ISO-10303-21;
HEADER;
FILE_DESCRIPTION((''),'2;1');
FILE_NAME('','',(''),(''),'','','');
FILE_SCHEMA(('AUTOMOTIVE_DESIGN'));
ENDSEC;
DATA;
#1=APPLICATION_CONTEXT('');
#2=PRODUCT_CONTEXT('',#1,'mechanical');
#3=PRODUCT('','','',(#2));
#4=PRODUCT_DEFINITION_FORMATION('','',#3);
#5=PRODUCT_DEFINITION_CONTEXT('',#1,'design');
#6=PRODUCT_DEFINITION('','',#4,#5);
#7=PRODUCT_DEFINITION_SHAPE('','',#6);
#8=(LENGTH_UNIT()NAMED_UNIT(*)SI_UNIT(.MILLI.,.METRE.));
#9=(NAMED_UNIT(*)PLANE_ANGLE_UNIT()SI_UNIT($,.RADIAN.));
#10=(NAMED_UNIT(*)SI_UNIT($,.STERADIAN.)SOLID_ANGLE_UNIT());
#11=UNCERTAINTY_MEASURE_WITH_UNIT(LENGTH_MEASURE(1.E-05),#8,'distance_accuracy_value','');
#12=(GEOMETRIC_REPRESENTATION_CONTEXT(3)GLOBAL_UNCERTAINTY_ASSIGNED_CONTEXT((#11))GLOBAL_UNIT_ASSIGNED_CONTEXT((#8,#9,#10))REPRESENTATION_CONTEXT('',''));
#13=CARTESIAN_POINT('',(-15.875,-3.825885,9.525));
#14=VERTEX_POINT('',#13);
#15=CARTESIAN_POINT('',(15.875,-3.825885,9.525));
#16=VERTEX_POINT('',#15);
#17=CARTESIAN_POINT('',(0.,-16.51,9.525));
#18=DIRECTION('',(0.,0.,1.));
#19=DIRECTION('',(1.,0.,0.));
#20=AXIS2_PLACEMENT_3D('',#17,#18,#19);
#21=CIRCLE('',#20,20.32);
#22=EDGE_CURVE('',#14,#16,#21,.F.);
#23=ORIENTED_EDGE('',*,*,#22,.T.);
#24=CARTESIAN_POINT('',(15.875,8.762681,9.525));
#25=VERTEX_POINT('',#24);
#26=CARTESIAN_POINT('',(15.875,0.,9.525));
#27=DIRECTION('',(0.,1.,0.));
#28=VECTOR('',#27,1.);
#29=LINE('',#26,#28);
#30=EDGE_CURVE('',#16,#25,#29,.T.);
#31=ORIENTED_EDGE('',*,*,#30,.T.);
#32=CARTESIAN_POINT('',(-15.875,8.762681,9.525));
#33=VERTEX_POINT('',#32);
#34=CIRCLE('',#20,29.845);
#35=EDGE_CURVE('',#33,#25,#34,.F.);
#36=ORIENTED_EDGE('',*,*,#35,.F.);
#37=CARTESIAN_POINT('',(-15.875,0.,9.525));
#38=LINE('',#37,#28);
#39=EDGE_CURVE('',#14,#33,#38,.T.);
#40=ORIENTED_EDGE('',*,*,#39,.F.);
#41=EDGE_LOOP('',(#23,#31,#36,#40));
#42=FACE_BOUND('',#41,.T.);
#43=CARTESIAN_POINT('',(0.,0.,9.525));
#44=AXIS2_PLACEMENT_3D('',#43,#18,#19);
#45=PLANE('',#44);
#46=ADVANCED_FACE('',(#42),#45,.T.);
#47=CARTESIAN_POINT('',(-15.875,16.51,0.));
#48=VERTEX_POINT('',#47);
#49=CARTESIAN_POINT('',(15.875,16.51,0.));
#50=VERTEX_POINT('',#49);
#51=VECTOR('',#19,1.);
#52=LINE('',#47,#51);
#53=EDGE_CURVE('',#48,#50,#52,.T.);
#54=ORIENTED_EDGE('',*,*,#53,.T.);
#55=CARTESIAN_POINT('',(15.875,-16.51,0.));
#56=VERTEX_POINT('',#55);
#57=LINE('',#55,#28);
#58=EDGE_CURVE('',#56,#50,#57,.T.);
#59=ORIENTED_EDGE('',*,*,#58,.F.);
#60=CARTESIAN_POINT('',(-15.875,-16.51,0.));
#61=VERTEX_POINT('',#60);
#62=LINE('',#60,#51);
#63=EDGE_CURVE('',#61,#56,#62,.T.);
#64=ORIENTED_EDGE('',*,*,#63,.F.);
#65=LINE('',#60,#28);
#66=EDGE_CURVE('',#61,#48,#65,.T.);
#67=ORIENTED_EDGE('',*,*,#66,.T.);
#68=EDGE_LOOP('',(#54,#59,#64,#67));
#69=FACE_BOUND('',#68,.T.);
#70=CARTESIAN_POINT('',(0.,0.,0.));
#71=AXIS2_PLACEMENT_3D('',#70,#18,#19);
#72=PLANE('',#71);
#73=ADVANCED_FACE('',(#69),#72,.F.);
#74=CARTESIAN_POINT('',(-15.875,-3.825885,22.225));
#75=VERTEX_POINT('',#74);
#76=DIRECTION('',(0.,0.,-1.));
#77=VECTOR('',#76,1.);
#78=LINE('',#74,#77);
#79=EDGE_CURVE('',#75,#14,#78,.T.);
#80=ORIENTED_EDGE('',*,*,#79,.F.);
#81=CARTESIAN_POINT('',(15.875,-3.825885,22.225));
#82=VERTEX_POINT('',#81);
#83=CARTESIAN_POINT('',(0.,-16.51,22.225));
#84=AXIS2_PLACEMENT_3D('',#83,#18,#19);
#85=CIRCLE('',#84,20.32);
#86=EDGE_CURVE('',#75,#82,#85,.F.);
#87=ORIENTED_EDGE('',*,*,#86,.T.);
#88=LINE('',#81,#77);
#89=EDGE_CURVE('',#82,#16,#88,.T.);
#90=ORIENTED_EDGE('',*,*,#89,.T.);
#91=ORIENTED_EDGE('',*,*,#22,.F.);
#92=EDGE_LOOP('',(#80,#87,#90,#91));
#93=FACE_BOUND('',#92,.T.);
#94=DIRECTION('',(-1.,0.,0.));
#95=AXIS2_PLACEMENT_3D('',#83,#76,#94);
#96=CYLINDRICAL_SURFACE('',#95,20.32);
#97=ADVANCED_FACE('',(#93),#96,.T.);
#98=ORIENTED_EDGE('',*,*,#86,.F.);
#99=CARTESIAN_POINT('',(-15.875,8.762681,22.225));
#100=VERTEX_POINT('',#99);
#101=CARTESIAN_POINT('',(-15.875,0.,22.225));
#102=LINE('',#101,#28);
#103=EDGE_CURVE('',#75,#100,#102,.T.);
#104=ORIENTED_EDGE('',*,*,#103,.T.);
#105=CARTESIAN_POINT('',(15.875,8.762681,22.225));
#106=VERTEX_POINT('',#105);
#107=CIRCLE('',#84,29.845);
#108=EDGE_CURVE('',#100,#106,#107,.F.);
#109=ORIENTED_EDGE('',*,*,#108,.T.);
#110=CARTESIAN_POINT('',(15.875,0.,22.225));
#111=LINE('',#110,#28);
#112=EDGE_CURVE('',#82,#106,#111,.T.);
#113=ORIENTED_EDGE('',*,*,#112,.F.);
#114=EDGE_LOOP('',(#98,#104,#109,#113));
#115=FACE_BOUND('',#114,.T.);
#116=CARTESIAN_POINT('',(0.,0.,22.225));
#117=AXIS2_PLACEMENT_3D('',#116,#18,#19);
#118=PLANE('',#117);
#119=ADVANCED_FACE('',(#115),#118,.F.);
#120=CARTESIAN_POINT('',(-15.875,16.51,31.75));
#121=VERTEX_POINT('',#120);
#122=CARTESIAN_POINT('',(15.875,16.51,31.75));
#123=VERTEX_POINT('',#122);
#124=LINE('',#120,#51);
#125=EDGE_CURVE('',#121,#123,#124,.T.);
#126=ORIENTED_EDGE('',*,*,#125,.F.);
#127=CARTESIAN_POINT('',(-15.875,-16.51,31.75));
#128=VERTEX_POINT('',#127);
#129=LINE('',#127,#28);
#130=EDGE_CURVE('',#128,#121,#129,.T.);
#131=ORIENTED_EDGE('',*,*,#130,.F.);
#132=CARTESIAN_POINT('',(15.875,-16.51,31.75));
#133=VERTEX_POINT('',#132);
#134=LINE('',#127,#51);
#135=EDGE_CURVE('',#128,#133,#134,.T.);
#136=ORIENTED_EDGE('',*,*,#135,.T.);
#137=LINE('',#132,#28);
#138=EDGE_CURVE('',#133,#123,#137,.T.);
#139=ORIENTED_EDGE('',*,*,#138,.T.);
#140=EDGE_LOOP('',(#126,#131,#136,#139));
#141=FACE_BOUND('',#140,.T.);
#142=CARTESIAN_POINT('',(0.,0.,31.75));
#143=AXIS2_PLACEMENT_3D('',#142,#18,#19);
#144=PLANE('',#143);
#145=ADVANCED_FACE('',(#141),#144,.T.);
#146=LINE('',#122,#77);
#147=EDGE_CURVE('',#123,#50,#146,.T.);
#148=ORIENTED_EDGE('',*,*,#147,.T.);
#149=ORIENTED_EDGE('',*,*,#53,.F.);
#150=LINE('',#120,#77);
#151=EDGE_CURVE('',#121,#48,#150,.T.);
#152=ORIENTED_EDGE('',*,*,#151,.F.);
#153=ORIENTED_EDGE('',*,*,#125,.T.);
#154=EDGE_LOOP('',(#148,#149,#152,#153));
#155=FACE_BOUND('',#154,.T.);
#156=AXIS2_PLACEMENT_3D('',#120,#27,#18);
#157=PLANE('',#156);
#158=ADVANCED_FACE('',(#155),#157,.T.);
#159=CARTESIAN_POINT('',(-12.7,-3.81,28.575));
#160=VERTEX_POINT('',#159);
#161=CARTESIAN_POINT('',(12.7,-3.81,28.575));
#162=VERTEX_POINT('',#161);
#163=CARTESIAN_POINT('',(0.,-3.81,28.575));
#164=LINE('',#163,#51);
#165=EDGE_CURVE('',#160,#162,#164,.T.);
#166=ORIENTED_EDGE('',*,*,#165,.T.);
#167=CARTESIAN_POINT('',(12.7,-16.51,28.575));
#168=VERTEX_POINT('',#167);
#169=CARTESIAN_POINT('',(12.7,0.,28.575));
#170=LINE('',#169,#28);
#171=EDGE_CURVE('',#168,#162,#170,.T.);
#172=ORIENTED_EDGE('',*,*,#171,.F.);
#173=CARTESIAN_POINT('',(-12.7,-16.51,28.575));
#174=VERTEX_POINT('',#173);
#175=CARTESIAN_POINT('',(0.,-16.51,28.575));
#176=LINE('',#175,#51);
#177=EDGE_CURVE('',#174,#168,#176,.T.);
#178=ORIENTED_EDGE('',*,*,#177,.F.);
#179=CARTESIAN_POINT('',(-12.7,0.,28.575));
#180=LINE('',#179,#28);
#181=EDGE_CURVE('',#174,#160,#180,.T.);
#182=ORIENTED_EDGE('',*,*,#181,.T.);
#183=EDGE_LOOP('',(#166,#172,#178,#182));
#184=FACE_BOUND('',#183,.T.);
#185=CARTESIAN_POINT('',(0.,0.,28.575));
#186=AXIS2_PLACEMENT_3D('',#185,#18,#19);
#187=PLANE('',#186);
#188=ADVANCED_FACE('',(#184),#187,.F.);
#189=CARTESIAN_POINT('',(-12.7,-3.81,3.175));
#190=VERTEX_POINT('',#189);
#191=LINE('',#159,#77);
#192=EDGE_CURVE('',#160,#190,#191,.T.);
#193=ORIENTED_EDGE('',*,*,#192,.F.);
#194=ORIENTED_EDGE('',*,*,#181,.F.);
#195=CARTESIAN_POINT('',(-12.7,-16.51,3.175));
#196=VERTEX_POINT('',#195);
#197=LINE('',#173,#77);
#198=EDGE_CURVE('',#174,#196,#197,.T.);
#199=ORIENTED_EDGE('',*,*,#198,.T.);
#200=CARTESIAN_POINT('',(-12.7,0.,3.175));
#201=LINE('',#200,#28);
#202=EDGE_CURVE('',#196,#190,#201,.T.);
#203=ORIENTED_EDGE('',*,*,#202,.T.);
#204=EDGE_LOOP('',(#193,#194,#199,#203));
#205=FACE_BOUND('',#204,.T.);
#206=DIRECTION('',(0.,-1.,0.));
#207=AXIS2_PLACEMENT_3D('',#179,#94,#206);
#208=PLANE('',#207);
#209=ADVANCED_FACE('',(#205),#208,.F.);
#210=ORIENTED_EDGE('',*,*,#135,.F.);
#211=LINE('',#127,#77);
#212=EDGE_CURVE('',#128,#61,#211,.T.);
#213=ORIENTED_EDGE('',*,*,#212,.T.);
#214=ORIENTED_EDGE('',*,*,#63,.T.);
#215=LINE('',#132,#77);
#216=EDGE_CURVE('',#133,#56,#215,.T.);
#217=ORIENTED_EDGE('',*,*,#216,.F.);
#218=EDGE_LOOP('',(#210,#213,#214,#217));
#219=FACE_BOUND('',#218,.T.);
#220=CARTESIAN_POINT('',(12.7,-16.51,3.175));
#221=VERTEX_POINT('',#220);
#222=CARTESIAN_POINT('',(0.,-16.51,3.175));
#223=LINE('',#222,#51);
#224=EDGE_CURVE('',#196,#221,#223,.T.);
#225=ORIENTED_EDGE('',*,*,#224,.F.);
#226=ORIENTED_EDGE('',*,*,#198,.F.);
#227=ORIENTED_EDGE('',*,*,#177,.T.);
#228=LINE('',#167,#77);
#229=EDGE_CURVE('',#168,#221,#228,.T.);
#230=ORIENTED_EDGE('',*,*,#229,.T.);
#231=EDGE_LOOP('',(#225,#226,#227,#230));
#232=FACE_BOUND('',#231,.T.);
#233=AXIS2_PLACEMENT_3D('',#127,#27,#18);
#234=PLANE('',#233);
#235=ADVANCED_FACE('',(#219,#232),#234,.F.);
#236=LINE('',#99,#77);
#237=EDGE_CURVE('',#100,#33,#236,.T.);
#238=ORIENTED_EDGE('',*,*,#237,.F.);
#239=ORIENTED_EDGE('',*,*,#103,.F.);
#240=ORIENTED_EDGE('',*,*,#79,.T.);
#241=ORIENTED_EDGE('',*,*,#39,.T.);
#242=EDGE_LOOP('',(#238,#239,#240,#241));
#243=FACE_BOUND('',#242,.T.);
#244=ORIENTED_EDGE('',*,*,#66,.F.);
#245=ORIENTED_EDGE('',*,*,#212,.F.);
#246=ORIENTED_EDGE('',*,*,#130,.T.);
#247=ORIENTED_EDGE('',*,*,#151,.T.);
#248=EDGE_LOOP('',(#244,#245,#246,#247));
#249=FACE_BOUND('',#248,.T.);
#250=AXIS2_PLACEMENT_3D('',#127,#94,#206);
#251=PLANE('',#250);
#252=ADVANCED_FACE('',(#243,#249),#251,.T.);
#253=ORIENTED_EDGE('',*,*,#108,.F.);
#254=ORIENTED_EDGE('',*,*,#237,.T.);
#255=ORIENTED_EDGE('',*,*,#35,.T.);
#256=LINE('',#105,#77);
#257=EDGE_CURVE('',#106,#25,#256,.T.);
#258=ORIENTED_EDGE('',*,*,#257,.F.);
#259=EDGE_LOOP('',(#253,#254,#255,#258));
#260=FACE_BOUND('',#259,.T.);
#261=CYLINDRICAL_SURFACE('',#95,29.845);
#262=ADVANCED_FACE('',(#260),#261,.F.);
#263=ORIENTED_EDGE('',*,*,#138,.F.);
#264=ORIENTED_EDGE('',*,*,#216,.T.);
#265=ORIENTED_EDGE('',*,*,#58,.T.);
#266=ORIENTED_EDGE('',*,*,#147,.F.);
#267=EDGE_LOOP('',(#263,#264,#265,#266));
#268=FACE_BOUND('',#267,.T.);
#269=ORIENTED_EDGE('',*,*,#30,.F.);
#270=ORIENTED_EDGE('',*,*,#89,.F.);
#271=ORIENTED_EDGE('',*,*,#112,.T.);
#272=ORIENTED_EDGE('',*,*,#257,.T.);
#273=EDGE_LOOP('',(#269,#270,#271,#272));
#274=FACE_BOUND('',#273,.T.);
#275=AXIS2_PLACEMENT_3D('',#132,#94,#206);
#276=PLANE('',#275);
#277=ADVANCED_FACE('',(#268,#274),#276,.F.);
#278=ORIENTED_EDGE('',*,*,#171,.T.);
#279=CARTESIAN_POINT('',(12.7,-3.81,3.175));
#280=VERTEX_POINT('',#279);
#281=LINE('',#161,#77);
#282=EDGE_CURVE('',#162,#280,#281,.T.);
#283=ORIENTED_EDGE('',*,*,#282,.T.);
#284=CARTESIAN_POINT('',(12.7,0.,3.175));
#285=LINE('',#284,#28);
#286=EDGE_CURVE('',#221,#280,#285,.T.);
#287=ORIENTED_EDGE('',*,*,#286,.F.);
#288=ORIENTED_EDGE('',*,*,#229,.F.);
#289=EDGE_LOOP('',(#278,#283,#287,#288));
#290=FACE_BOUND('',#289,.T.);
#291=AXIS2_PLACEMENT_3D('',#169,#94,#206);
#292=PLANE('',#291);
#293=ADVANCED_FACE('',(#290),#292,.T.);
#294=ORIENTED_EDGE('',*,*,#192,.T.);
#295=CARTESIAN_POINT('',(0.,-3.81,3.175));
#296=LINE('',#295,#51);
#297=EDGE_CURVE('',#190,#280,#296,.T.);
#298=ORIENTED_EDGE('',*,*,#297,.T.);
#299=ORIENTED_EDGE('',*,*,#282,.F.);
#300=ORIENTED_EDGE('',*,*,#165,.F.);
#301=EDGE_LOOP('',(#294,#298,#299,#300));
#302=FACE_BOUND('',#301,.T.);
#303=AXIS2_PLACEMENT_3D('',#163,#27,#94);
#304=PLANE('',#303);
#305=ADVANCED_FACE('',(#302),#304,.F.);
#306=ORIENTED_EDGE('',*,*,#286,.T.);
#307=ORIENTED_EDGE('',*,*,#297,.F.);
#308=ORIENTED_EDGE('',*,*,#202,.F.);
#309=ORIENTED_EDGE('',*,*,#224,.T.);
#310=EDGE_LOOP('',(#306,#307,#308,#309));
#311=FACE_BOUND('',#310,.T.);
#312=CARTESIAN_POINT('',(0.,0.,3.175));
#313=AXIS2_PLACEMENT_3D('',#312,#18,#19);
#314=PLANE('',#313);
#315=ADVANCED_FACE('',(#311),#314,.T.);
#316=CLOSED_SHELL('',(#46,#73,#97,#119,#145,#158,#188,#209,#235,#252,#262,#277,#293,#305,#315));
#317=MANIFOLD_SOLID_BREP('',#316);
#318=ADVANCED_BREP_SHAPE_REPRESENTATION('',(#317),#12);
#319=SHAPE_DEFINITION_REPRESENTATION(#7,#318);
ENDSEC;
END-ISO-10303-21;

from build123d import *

# Parameters (mm, degrees)
SKETCH1_W           = 31.75
SKETCH1_H           = 33.02
BOSS_EXTRUDE1_DEPTH = 31.75
CUT_EXTRUDE1_START  = 3.175
SKETCH1_3_W         = 25.4
SKETCH1_3_H         = 12.7
CUT_EXTRUDE1_DEPTH  = 25.4
CUT_EXTRUDE2_START  = 9.525
CUT_EXTRUDE2_DEPTH  = 12.7


with BuildPart() as part:
    # Sketch1 → Boss-Extrude1 (new body)
    with BuildSketch(Plane.XY):
        Rectangle(SKETCH1_W, SKETCH1_H)
    extrude(amount=BOSS_EXTRUDE1_DEPTH)

    # Sketch1<3> → Cut-Extrude1 (cut)
    with BuildSketch(Plane.XY.offset(CUT_EXTRUDE1_START)):
        with Locations((0, -10.16)):
            Rectangle(SKETCH1_3_W, SKETCH1_3_H)
    extrude(amount=CUT_EXTRUDE1_DEPTH, mode=Mode.SUBTRACT)

    # Sketch1<4> → Cut-Extrude2 (cut)
    with BuildSketch(Plane.XY.offset(CUT_EXTRUDE2_START)):
        with BuildLine():
            Line((-15.875, 8.762680903), (-15.875, -3.825884934))
            ThreePointArc((-15.875, -3.825884934), (0, 3.81), (15.875, -3.825884934))
            Line((15.875, -3.825884934), (15.875, 8.762680903))
            ThreePointArc((15.875, 8.762680903), (0, 13.335), (-15.875, 8.762680903))
        make_face()
    extrude(amount=CUT_EXTRUDE2_DEPTH, mode=Mode.SUBTRACT)


solid = part.part
